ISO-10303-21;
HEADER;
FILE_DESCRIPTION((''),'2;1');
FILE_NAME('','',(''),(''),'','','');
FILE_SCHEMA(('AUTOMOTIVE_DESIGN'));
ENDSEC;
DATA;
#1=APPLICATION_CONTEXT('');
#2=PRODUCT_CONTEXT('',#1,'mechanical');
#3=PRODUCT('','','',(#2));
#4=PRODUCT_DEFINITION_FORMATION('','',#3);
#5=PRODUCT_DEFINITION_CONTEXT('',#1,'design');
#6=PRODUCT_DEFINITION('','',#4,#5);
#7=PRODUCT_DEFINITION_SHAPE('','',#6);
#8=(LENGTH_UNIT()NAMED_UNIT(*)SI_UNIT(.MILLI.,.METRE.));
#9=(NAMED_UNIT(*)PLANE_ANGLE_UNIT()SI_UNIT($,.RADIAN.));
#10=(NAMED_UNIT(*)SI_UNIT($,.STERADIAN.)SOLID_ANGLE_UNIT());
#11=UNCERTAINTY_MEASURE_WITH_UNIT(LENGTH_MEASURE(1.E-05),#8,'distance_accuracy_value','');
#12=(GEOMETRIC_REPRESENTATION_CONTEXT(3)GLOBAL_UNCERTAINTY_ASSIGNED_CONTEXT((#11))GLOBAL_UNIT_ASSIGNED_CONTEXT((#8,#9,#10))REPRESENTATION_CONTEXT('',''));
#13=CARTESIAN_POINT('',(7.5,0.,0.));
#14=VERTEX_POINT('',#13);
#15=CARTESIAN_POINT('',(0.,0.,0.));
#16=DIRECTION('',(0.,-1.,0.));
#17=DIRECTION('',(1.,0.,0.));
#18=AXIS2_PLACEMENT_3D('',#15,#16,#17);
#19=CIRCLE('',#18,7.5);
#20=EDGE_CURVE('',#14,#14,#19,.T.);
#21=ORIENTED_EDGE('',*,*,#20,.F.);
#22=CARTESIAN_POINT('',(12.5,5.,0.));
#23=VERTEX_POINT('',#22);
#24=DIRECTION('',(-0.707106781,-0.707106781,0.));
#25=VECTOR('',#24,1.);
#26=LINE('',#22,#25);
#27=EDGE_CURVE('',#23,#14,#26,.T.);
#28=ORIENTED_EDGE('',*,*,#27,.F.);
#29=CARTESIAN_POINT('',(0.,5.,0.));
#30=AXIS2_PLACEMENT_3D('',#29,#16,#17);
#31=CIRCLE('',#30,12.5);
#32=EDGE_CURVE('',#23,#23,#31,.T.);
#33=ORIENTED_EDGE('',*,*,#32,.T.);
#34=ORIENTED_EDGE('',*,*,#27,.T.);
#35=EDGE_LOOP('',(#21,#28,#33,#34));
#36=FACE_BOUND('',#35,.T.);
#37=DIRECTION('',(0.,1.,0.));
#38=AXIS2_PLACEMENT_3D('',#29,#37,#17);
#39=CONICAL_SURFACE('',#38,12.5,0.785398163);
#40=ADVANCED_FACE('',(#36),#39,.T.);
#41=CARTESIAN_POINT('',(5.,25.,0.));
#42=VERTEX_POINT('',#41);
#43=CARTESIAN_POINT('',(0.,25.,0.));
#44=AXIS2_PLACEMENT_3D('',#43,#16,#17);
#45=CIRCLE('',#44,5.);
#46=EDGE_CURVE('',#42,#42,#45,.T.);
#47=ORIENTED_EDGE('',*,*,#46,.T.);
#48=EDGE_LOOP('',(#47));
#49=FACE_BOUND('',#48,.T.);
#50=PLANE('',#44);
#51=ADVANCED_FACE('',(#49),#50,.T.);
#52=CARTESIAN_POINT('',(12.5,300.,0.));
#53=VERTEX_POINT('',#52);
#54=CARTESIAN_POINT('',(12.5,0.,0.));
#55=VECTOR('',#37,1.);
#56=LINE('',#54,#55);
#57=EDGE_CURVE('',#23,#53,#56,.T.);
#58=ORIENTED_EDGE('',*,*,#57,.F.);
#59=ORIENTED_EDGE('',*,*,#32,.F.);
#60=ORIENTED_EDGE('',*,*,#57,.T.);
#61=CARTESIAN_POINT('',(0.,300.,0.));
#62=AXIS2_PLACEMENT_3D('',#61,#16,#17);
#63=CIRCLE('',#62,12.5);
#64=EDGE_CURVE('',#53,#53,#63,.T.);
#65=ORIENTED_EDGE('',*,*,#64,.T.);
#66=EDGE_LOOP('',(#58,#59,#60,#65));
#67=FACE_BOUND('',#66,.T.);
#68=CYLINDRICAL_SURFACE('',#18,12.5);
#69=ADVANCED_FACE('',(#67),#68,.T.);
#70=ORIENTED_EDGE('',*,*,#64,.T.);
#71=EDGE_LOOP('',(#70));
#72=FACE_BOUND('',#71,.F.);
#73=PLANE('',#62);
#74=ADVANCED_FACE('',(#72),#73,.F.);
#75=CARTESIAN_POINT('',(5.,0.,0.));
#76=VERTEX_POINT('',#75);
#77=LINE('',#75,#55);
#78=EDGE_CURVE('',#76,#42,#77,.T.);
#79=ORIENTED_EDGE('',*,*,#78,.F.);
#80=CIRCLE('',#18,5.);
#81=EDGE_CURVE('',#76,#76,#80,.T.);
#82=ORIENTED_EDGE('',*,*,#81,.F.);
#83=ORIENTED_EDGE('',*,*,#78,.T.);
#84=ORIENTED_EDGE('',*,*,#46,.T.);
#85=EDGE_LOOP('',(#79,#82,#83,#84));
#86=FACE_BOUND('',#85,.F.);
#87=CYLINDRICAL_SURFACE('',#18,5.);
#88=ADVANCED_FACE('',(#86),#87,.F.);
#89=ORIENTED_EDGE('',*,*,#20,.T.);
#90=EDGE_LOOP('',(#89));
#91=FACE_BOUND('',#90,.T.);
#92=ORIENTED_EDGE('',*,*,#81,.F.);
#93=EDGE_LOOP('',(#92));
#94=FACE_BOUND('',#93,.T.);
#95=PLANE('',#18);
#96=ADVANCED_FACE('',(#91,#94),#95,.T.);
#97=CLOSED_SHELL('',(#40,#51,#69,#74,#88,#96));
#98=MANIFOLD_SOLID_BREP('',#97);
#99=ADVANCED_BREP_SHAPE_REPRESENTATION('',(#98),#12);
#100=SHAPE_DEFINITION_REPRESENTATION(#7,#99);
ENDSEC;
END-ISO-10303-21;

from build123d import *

# Parameters (mm, degrees)
F0_R     = 12.5
F1_DEPTH = 300
F2_R     = 5
F3_DEPTH = 25
F4_SIZE  = 5


with BuildPart() as f1:
    # F0 (on Front) → F1 (new body)
    with BuildSketch(Plane.XZ):
        Circle(F0_R)
    extrude(amount=-F1_DEPTH)

    # F2 (on face) → F3 (cut)
    with BuildSketch(Plane.XZ):
        Circle(F2_R)
    extrude(amount=-F3_DEPTH, mode=Mode.SUBTRACT)

    # F4
    f4_edges = [f1.edges().sort_by_distance(p)[0] for p in [
        (-12.5, 0, 0),
    ]]
    chamfer(f4_edges, length=F4_SIZE)


solid = f1.part
